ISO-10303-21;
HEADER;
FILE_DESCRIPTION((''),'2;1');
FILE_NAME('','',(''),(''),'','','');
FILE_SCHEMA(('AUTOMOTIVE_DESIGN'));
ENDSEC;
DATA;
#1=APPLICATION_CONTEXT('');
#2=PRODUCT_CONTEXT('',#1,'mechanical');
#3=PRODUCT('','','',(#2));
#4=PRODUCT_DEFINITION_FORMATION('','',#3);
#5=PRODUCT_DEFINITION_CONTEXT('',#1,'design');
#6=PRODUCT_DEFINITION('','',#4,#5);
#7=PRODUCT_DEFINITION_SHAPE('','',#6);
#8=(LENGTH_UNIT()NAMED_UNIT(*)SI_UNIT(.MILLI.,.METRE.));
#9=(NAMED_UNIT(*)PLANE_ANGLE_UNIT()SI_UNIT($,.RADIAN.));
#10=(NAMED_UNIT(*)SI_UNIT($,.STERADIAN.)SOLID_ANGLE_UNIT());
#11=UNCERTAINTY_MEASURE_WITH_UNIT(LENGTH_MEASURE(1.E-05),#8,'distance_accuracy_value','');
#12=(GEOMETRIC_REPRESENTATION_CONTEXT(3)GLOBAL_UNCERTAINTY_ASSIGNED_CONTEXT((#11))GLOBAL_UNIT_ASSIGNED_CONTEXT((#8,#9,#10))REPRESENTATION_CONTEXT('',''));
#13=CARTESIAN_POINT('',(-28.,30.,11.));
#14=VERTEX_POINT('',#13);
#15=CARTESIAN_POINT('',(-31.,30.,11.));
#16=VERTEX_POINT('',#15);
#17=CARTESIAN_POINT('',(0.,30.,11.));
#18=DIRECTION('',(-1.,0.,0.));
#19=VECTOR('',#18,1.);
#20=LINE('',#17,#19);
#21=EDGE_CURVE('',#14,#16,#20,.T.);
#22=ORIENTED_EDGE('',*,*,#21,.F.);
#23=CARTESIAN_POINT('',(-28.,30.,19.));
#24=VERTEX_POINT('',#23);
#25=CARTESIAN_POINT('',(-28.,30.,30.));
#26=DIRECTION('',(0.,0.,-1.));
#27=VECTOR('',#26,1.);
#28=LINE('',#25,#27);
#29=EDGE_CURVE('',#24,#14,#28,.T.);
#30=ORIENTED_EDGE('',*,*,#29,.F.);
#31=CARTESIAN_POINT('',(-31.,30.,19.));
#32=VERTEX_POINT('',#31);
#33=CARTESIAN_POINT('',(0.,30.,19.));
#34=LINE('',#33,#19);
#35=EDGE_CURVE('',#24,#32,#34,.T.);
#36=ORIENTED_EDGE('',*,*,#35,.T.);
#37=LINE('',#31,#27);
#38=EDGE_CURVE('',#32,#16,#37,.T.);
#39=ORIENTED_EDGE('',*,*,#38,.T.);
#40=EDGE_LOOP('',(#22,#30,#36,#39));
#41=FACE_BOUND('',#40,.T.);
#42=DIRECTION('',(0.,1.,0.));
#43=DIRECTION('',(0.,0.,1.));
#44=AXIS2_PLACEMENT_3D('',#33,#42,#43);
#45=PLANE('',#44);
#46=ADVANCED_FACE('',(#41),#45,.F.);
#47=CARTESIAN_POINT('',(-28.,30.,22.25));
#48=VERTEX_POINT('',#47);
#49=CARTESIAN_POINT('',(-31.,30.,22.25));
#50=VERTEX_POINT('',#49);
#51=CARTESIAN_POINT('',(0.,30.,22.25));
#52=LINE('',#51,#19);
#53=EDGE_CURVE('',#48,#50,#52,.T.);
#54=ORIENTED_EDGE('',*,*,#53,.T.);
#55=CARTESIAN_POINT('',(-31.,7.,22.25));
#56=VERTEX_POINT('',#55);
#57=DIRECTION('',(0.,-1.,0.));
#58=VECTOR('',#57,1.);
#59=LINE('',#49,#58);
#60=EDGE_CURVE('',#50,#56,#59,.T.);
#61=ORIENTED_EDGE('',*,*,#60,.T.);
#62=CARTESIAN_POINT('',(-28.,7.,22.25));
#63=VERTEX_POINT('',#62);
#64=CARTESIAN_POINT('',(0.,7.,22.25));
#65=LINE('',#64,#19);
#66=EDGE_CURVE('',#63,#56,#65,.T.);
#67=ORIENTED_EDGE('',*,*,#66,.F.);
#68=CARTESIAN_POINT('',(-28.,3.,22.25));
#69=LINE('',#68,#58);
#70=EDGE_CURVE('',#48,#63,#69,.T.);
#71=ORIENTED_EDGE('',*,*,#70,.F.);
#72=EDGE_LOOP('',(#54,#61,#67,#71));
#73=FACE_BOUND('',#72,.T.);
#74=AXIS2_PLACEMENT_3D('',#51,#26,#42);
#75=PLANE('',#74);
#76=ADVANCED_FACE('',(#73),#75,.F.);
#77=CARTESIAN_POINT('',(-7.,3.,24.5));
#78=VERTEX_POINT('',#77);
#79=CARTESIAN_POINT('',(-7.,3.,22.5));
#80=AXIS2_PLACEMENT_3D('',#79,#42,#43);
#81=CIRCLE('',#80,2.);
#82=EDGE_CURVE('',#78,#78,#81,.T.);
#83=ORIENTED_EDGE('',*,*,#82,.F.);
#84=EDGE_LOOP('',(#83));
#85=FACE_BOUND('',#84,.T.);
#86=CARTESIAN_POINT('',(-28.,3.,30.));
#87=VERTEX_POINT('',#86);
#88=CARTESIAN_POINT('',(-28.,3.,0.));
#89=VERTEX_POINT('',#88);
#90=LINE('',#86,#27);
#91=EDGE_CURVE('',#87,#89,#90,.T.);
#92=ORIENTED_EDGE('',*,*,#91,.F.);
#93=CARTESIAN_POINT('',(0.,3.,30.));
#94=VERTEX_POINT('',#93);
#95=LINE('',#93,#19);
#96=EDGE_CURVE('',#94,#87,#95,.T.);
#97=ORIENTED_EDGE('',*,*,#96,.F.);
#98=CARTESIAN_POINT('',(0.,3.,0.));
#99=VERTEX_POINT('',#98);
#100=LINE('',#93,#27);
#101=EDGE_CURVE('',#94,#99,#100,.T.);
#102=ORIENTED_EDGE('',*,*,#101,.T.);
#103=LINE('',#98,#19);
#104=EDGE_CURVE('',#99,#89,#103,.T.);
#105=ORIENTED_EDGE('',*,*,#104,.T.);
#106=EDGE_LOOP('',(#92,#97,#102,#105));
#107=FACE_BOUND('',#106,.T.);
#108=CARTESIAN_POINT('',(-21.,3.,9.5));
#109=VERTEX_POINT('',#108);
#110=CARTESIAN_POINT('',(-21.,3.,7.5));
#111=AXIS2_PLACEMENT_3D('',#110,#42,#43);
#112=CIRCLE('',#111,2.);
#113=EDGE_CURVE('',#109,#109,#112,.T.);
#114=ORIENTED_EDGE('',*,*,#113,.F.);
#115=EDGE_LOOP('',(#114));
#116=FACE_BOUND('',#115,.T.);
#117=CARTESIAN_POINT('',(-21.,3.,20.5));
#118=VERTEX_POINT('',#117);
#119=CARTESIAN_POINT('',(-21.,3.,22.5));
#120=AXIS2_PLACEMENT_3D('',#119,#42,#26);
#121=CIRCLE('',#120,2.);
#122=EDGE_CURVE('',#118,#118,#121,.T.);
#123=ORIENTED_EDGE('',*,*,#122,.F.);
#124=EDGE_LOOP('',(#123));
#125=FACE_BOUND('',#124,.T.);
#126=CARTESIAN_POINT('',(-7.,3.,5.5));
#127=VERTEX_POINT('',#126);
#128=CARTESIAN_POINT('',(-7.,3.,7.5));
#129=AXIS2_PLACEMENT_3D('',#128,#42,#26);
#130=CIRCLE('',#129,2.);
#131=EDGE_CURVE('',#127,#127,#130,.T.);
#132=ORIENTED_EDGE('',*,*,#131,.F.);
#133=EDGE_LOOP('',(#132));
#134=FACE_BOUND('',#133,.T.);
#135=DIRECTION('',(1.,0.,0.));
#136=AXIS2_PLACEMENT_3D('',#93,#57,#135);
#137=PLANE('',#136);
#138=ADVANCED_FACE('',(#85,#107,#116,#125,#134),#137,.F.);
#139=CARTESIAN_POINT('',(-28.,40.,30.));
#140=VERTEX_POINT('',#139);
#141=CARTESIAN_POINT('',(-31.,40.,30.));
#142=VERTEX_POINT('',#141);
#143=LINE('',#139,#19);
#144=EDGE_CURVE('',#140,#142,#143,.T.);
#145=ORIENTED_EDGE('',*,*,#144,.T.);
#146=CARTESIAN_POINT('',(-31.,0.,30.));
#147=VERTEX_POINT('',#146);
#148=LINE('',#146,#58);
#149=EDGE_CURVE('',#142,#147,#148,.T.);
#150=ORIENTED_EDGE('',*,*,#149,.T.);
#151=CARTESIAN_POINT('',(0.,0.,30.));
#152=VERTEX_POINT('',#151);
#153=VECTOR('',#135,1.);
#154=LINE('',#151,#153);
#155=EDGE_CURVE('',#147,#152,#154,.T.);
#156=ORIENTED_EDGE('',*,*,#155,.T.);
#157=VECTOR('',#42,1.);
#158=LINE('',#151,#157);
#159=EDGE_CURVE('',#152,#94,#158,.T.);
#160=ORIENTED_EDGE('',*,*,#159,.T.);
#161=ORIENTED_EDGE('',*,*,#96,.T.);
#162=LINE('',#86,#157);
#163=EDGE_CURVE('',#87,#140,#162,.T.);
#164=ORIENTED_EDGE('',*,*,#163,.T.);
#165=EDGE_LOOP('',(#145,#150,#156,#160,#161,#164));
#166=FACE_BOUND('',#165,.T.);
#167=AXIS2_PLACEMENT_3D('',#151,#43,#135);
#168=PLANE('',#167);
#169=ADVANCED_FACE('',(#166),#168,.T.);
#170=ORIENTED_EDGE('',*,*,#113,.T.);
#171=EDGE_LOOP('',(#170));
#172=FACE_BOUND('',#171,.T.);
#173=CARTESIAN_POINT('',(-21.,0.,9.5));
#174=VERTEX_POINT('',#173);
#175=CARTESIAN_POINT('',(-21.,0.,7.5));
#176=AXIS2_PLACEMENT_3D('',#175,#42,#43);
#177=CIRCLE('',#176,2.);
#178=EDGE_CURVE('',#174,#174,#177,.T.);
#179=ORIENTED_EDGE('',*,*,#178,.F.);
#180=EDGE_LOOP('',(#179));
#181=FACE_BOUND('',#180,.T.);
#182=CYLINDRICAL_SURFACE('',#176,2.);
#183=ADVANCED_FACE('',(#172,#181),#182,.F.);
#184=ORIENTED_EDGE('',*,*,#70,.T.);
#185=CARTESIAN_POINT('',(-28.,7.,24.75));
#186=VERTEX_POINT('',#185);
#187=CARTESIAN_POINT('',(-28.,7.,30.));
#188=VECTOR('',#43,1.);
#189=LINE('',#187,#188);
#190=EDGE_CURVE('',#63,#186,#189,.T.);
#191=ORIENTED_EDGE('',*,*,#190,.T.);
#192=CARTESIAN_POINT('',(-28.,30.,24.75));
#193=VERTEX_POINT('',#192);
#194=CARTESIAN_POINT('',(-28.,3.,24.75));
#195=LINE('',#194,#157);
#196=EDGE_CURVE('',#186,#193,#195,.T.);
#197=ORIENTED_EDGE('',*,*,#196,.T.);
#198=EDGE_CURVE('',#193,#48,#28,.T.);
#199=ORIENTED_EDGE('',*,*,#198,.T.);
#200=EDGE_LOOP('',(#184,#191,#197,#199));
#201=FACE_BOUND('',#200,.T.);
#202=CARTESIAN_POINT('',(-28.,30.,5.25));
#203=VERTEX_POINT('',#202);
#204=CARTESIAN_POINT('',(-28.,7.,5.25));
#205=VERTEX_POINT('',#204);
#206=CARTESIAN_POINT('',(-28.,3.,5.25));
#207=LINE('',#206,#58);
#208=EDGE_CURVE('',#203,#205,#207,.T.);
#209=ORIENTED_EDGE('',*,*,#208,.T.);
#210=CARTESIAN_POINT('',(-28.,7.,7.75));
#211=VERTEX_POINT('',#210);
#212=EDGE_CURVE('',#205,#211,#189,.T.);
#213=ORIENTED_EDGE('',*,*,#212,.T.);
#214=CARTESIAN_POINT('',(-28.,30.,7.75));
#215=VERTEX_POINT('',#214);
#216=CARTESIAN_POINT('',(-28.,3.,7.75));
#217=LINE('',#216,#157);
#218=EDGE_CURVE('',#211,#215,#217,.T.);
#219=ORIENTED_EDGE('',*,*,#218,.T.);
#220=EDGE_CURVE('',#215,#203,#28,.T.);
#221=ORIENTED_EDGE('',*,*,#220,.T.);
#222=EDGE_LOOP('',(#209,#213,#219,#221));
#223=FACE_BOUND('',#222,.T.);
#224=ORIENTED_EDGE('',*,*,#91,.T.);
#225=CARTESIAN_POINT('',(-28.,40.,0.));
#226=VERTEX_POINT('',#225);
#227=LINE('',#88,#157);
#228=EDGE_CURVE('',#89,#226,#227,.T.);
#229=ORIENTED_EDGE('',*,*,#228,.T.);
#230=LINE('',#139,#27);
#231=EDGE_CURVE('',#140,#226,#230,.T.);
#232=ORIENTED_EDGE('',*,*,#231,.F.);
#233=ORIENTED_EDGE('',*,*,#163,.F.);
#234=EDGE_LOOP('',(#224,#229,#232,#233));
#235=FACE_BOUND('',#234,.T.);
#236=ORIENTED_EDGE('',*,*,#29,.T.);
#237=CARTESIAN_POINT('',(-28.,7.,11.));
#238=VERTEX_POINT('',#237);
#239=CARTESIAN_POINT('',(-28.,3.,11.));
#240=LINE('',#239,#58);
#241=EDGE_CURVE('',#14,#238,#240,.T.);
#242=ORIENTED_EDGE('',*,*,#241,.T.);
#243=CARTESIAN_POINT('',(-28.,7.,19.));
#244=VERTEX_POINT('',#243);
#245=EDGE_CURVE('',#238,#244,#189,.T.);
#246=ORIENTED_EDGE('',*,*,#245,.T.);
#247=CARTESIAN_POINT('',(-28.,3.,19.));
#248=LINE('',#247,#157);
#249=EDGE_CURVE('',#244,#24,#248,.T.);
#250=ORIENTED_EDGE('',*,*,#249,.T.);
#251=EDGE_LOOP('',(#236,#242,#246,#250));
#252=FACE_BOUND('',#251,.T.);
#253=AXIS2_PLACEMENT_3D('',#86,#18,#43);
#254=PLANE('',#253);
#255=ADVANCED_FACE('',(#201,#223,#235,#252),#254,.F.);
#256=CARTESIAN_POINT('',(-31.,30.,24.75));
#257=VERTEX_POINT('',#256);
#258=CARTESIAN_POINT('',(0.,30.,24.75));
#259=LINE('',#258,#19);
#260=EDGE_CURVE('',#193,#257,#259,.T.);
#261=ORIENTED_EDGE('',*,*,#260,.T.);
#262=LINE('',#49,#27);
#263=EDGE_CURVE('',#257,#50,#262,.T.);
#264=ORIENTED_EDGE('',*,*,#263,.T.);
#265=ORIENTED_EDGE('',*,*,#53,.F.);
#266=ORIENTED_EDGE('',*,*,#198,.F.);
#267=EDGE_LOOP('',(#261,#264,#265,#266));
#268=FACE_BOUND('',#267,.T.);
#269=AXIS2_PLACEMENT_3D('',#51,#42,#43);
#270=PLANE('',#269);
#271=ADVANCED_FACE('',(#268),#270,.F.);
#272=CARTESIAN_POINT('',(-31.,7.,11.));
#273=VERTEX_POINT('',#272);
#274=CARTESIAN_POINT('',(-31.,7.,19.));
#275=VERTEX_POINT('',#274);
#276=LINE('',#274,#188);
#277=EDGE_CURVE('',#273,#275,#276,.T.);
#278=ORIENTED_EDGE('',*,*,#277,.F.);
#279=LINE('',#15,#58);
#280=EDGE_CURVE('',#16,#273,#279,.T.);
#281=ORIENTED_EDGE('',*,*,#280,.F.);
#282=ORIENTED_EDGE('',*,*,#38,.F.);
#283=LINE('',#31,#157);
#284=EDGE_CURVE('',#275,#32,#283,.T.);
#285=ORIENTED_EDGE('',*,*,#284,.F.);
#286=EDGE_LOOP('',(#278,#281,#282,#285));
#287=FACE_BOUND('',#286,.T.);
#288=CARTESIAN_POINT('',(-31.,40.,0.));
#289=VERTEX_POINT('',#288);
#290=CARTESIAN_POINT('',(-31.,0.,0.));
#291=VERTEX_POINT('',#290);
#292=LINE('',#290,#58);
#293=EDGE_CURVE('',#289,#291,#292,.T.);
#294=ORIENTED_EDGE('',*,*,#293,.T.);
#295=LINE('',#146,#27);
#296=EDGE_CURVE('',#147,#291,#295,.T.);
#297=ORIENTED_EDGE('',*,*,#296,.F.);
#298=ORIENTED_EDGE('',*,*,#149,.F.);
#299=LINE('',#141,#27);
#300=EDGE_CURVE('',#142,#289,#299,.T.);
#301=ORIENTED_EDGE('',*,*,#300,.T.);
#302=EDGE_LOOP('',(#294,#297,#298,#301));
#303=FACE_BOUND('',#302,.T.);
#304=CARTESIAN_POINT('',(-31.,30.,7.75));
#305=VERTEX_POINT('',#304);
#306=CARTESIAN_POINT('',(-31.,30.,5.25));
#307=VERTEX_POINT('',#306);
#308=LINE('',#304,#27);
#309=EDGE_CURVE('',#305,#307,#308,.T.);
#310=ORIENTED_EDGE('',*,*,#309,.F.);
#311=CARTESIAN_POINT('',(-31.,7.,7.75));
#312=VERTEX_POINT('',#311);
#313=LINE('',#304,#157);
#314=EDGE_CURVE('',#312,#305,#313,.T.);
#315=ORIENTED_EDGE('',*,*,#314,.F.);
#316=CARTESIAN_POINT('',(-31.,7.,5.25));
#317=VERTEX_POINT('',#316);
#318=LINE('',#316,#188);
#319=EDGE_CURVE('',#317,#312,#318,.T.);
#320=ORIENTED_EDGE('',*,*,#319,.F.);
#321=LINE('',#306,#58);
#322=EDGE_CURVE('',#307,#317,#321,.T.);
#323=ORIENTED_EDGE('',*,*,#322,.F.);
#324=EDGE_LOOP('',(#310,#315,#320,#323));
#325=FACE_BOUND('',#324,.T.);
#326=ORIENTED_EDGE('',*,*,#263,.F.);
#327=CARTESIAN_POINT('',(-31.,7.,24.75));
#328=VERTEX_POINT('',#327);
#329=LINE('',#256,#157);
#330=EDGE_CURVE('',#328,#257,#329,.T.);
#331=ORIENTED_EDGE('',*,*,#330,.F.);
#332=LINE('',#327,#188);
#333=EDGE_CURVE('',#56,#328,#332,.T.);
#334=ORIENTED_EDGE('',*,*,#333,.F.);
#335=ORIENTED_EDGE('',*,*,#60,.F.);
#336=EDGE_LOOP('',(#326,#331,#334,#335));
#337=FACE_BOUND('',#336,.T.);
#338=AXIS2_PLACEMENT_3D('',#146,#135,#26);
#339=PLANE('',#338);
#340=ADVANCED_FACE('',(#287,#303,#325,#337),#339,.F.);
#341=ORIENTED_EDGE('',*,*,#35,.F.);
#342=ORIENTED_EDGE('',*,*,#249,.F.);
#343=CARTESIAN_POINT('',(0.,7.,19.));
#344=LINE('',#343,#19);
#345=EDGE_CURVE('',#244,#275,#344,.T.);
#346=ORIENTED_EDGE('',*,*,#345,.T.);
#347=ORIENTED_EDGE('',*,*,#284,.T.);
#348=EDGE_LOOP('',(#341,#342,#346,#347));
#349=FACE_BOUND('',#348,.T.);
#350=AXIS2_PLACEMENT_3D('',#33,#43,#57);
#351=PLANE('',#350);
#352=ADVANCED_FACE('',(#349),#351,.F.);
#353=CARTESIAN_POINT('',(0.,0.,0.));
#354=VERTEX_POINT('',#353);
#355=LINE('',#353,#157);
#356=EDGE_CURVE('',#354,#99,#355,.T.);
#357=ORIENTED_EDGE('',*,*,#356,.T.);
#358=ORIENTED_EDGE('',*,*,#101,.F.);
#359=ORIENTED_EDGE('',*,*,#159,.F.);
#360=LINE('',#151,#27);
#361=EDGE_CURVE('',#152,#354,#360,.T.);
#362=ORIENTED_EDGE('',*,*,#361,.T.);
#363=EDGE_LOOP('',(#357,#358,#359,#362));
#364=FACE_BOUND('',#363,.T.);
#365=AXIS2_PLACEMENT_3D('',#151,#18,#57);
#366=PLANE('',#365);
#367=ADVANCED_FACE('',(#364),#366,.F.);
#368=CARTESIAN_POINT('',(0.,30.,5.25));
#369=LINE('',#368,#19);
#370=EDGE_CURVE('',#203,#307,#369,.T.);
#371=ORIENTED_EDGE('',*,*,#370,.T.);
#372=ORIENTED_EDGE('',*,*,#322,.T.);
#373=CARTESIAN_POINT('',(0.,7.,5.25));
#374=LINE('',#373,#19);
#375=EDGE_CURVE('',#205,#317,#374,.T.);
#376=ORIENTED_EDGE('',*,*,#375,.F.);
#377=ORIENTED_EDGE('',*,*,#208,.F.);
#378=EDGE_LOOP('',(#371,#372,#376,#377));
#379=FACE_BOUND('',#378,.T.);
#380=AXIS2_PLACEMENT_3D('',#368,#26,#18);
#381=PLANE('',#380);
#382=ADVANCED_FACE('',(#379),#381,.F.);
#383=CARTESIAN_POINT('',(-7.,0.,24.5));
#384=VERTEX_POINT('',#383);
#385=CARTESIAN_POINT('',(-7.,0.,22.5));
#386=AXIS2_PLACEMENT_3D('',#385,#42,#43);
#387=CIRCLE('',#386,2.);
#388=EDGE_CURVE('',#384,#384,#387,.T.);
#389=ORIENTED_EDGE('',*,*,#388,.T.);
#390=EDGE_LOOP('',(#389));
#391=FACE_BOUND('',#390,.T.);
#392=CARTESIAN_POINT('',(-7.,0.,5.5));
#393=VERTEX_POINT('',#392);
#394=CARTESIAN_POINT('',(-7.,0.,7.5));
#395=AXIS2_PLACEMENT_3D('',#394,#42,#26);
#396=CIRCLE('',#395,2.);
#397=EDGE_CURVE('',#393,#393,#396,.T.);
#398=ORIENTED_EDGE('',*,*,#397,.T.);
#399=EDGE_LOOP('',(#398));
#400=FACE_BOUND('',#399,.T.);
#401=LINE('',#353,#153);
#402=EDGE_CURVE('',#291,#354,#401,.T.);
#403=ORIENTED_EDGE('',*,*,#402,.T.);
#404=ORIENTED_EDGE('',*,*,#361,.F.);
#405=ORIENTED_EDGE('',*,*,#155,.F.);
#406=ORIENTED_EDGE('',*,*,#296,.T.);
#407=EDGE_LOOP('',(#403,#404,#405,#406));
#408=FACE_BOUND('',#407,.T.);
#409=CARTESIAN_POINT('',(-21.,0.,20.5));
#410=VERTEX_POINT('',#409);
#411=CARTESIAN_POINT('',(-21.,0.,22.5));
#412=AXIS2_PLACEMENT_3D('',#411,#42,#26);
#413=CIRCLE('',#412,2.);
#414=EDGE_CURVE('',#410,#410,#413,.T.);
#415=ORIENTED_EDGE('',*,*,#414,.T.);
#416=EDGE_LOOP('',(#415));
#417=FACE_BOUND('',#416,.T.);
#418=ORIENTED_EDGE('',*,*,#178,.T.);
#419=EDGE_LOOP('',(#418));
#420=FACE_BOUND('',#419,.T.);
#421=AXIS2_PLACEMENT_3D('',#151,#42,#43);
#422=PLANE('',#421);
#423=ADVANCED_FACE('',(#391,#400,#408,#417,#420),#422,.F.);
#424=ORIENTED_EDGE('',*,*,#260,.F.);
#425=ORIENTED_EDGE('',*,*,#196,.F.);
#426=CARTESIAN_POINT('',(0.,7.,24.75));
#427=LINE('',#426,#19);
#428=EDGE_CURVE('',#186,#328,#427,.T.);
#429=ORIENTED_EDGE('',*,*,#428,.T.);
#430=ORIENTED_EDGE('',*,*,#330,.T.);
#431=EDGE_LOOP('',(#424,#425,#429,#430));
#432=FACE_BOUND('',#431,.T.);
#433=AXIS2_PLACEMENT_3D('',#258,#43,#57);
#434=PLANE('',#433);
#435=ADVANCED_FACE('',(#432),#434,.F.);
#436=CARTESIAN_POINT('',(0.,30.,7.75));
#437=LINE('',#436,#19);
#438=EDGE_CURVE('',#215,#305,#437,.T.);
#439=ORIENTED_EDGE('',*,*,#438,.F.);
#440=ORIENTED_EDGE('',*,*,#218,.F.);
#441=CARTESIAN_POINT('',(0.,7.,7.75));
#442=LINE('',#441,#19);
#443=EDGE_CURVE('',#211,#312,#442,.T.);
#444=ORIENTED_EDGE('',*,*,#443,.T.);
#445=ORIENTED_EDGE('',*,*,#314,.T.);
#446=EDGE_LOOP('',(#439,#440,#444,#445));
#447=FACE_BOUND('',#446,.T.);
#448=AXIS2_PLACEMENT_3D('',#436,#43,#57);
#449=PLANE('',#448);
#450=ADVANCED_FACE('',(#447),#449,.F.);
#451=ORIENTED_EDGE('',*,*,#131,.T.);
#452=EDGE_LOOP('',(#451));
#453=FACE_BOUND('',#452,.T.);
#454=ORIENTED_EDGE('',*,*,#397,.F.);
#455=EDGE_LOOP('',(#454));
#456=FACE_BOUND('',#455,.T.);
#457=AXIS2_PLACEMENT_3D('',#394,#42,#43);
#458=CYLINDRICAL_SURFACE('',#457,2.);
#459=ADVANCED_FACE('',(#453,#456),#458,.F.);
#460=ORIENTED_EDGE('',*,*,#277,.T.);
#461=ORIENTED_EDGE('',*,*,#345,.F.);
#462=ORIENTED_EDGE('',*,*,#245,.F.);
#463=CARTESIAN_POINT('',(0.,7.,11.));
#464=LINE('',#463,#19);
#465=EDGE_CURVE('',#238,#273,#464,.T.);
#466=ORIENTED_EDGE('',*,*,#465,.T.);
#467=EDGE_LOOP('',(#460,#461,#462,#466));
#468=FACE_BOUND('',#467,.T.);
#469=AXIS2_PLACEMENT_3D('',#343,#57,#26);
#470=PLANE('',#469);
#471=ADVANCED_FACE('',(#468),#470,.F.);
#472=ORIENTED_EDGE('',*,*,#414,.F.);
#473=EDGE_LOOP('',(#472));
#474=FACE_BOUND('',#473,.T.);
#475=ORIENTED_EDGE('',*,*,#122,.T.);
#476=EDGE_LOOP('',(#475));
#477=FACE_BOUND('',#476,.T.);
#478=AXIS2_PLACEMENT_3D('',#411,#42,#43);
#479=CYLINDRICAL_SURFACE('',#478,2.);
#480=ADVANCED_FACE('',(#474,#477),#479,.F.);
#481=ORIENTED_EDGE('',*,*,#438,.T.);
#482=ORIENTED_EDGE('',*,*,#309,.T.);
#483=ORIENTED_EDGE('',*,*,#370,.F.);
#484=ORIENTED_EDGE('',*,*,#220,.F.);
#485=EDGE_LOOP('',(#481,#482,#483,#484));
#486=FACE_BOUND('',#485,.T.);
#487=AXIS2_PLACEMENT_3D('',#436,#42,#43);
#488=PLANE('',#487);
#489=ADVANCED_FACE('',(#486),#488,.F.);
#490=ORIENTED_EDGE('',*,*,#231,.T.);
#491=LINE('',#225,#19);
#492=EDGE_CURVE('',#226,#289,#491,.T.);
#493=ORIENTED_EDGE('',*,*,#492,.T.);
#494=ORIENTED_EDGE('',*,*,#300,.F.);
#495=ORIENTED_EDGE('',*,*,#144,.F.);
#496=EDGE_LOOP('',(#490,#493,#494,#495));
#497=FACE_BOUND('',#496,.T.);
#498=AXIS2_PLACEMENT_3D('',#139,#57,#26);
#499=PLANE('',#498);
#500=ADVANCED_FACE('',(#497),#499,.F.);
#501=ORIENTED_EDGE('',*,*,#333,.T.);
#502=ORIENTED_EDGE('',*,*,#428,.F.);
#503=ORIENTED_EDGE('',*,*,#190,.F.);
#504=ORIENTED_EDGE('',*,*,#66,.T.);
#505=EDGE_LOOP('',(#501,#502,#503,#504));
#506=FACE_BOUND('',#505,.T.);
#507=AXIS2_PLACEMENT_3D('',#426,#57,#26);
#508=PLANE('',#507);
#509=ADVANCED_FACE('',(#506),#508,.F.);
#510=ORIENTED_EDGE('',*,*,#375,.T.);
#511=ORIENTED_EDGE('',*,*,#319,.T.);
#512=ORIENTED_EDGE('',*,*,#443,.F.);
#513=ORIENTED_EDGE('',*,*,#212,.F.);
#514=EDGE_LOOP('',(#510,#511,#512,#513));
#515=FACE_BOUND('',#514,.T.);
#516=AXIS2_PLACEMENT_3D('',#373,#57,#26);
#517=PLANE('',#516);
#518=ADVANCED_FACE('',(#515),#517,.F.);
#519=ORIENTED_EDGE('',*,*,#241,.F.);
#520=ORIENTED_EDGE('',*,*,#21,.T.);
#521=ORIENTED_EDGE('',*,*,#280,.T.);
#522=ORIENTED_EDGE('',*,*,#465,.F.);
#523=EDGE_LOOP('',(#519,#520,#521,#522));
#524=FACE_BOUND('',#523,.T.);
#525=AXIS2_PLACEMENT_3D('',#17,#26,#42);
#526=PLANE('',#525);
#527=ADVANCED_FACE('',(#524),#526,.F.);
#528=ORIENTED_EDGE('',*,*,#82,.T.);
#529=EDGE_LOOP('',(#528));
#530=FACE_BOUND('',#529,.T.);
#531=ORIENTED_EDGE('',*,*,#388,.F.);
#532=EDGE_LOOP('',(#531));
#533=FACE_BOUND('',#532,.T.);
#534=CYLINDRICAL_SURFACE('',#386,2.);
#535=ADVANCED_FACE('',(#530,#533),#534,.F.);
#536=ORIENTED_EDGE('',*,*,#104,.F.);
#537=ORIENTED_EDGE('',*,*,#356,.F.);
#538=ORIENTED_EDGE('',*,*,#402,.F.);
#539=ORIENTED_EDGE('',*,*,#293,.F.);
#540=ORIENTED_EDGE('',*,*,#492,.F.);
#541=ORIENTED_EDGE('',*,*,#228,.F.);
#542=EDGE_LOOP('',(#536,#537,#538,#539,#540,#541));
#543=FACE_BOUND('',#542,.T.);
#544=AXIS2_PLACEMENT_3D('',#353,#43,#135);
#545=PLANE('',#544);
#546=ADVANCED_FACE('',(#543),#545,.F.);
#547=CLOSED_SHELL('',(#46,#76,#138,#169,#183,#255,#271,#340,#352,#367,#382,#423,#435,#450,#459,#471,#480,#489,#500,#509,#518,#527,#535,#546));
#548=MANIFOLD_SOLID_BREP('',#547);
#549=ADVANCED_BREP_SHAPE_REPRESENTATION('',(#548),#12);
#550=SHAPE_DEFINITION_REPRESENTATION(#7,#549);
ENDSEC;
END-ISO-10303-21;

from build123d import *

# Parameters (mm, degrees)
BOSS_EXTRUDE1_DEPTH = 30
SKETCH3_R           = 2
CUT_EXTRUDE1_DEPTH  = 4
SKETCH5_W           = 2.5
SKETCH5_H           = 23
SKETCH5_W_2         = 8
CUT_EXTRUDE2_DEPTH  = 32


with BuildPart() as part:
    # Sketch2 → Boss-Extrude1 (new body)
    with BuildSketch(Plane.XY):
        Polygon((0, 0), (-31, 0), (-31, 40), (-28, 40), (-28, 3), (0, 3), align=None)
    extrude(amount=BOSS_EXTRUDE1_DEPTH)

    # Sketch3 → Cut-Extrude1 (cut, through all)
    with BuildSketch(Plane(origin=(0, 3, 0), x_dir=(1, 0, 0), z_dir=(0, 1, 0))):
        with Locations((-7, -22.5)):
            Circle(SKETCH3_R)
        with Locations((-21, -22.5)):
            Circle(SKETCH3_R)
        with Locations((-7, -7.5)):
            Circle(SKETCH3_R)
        with Locations((-21, -7.5)):
            Circle(SKETCH3_R)
    extrude(amount=-CUT_EXTRUDE1_DEPTH, mode=Mode.SUBTRACT)

    # Sketch5 → Cut-Extrude2 (cut, through all)
    with BuildSketch(Plane.ZY.offset(31)):
        with Locations((23.5, 18.5)):
            Rectangle(SKETCH5_W, SKETCH5_H)
        with Locations((15, 18.5)):
            Rectangle(SKETCH5_W_2, SKETCH5_H)
        with Locations((6.5, 18.5)):
            Rectangle(SKETCH5_W, SKETCH5_H)
    extrude(amount=-CUT_EXTRUDE2_DEPTH, mode=Mode.SUBTRACT)


solid = part.part
